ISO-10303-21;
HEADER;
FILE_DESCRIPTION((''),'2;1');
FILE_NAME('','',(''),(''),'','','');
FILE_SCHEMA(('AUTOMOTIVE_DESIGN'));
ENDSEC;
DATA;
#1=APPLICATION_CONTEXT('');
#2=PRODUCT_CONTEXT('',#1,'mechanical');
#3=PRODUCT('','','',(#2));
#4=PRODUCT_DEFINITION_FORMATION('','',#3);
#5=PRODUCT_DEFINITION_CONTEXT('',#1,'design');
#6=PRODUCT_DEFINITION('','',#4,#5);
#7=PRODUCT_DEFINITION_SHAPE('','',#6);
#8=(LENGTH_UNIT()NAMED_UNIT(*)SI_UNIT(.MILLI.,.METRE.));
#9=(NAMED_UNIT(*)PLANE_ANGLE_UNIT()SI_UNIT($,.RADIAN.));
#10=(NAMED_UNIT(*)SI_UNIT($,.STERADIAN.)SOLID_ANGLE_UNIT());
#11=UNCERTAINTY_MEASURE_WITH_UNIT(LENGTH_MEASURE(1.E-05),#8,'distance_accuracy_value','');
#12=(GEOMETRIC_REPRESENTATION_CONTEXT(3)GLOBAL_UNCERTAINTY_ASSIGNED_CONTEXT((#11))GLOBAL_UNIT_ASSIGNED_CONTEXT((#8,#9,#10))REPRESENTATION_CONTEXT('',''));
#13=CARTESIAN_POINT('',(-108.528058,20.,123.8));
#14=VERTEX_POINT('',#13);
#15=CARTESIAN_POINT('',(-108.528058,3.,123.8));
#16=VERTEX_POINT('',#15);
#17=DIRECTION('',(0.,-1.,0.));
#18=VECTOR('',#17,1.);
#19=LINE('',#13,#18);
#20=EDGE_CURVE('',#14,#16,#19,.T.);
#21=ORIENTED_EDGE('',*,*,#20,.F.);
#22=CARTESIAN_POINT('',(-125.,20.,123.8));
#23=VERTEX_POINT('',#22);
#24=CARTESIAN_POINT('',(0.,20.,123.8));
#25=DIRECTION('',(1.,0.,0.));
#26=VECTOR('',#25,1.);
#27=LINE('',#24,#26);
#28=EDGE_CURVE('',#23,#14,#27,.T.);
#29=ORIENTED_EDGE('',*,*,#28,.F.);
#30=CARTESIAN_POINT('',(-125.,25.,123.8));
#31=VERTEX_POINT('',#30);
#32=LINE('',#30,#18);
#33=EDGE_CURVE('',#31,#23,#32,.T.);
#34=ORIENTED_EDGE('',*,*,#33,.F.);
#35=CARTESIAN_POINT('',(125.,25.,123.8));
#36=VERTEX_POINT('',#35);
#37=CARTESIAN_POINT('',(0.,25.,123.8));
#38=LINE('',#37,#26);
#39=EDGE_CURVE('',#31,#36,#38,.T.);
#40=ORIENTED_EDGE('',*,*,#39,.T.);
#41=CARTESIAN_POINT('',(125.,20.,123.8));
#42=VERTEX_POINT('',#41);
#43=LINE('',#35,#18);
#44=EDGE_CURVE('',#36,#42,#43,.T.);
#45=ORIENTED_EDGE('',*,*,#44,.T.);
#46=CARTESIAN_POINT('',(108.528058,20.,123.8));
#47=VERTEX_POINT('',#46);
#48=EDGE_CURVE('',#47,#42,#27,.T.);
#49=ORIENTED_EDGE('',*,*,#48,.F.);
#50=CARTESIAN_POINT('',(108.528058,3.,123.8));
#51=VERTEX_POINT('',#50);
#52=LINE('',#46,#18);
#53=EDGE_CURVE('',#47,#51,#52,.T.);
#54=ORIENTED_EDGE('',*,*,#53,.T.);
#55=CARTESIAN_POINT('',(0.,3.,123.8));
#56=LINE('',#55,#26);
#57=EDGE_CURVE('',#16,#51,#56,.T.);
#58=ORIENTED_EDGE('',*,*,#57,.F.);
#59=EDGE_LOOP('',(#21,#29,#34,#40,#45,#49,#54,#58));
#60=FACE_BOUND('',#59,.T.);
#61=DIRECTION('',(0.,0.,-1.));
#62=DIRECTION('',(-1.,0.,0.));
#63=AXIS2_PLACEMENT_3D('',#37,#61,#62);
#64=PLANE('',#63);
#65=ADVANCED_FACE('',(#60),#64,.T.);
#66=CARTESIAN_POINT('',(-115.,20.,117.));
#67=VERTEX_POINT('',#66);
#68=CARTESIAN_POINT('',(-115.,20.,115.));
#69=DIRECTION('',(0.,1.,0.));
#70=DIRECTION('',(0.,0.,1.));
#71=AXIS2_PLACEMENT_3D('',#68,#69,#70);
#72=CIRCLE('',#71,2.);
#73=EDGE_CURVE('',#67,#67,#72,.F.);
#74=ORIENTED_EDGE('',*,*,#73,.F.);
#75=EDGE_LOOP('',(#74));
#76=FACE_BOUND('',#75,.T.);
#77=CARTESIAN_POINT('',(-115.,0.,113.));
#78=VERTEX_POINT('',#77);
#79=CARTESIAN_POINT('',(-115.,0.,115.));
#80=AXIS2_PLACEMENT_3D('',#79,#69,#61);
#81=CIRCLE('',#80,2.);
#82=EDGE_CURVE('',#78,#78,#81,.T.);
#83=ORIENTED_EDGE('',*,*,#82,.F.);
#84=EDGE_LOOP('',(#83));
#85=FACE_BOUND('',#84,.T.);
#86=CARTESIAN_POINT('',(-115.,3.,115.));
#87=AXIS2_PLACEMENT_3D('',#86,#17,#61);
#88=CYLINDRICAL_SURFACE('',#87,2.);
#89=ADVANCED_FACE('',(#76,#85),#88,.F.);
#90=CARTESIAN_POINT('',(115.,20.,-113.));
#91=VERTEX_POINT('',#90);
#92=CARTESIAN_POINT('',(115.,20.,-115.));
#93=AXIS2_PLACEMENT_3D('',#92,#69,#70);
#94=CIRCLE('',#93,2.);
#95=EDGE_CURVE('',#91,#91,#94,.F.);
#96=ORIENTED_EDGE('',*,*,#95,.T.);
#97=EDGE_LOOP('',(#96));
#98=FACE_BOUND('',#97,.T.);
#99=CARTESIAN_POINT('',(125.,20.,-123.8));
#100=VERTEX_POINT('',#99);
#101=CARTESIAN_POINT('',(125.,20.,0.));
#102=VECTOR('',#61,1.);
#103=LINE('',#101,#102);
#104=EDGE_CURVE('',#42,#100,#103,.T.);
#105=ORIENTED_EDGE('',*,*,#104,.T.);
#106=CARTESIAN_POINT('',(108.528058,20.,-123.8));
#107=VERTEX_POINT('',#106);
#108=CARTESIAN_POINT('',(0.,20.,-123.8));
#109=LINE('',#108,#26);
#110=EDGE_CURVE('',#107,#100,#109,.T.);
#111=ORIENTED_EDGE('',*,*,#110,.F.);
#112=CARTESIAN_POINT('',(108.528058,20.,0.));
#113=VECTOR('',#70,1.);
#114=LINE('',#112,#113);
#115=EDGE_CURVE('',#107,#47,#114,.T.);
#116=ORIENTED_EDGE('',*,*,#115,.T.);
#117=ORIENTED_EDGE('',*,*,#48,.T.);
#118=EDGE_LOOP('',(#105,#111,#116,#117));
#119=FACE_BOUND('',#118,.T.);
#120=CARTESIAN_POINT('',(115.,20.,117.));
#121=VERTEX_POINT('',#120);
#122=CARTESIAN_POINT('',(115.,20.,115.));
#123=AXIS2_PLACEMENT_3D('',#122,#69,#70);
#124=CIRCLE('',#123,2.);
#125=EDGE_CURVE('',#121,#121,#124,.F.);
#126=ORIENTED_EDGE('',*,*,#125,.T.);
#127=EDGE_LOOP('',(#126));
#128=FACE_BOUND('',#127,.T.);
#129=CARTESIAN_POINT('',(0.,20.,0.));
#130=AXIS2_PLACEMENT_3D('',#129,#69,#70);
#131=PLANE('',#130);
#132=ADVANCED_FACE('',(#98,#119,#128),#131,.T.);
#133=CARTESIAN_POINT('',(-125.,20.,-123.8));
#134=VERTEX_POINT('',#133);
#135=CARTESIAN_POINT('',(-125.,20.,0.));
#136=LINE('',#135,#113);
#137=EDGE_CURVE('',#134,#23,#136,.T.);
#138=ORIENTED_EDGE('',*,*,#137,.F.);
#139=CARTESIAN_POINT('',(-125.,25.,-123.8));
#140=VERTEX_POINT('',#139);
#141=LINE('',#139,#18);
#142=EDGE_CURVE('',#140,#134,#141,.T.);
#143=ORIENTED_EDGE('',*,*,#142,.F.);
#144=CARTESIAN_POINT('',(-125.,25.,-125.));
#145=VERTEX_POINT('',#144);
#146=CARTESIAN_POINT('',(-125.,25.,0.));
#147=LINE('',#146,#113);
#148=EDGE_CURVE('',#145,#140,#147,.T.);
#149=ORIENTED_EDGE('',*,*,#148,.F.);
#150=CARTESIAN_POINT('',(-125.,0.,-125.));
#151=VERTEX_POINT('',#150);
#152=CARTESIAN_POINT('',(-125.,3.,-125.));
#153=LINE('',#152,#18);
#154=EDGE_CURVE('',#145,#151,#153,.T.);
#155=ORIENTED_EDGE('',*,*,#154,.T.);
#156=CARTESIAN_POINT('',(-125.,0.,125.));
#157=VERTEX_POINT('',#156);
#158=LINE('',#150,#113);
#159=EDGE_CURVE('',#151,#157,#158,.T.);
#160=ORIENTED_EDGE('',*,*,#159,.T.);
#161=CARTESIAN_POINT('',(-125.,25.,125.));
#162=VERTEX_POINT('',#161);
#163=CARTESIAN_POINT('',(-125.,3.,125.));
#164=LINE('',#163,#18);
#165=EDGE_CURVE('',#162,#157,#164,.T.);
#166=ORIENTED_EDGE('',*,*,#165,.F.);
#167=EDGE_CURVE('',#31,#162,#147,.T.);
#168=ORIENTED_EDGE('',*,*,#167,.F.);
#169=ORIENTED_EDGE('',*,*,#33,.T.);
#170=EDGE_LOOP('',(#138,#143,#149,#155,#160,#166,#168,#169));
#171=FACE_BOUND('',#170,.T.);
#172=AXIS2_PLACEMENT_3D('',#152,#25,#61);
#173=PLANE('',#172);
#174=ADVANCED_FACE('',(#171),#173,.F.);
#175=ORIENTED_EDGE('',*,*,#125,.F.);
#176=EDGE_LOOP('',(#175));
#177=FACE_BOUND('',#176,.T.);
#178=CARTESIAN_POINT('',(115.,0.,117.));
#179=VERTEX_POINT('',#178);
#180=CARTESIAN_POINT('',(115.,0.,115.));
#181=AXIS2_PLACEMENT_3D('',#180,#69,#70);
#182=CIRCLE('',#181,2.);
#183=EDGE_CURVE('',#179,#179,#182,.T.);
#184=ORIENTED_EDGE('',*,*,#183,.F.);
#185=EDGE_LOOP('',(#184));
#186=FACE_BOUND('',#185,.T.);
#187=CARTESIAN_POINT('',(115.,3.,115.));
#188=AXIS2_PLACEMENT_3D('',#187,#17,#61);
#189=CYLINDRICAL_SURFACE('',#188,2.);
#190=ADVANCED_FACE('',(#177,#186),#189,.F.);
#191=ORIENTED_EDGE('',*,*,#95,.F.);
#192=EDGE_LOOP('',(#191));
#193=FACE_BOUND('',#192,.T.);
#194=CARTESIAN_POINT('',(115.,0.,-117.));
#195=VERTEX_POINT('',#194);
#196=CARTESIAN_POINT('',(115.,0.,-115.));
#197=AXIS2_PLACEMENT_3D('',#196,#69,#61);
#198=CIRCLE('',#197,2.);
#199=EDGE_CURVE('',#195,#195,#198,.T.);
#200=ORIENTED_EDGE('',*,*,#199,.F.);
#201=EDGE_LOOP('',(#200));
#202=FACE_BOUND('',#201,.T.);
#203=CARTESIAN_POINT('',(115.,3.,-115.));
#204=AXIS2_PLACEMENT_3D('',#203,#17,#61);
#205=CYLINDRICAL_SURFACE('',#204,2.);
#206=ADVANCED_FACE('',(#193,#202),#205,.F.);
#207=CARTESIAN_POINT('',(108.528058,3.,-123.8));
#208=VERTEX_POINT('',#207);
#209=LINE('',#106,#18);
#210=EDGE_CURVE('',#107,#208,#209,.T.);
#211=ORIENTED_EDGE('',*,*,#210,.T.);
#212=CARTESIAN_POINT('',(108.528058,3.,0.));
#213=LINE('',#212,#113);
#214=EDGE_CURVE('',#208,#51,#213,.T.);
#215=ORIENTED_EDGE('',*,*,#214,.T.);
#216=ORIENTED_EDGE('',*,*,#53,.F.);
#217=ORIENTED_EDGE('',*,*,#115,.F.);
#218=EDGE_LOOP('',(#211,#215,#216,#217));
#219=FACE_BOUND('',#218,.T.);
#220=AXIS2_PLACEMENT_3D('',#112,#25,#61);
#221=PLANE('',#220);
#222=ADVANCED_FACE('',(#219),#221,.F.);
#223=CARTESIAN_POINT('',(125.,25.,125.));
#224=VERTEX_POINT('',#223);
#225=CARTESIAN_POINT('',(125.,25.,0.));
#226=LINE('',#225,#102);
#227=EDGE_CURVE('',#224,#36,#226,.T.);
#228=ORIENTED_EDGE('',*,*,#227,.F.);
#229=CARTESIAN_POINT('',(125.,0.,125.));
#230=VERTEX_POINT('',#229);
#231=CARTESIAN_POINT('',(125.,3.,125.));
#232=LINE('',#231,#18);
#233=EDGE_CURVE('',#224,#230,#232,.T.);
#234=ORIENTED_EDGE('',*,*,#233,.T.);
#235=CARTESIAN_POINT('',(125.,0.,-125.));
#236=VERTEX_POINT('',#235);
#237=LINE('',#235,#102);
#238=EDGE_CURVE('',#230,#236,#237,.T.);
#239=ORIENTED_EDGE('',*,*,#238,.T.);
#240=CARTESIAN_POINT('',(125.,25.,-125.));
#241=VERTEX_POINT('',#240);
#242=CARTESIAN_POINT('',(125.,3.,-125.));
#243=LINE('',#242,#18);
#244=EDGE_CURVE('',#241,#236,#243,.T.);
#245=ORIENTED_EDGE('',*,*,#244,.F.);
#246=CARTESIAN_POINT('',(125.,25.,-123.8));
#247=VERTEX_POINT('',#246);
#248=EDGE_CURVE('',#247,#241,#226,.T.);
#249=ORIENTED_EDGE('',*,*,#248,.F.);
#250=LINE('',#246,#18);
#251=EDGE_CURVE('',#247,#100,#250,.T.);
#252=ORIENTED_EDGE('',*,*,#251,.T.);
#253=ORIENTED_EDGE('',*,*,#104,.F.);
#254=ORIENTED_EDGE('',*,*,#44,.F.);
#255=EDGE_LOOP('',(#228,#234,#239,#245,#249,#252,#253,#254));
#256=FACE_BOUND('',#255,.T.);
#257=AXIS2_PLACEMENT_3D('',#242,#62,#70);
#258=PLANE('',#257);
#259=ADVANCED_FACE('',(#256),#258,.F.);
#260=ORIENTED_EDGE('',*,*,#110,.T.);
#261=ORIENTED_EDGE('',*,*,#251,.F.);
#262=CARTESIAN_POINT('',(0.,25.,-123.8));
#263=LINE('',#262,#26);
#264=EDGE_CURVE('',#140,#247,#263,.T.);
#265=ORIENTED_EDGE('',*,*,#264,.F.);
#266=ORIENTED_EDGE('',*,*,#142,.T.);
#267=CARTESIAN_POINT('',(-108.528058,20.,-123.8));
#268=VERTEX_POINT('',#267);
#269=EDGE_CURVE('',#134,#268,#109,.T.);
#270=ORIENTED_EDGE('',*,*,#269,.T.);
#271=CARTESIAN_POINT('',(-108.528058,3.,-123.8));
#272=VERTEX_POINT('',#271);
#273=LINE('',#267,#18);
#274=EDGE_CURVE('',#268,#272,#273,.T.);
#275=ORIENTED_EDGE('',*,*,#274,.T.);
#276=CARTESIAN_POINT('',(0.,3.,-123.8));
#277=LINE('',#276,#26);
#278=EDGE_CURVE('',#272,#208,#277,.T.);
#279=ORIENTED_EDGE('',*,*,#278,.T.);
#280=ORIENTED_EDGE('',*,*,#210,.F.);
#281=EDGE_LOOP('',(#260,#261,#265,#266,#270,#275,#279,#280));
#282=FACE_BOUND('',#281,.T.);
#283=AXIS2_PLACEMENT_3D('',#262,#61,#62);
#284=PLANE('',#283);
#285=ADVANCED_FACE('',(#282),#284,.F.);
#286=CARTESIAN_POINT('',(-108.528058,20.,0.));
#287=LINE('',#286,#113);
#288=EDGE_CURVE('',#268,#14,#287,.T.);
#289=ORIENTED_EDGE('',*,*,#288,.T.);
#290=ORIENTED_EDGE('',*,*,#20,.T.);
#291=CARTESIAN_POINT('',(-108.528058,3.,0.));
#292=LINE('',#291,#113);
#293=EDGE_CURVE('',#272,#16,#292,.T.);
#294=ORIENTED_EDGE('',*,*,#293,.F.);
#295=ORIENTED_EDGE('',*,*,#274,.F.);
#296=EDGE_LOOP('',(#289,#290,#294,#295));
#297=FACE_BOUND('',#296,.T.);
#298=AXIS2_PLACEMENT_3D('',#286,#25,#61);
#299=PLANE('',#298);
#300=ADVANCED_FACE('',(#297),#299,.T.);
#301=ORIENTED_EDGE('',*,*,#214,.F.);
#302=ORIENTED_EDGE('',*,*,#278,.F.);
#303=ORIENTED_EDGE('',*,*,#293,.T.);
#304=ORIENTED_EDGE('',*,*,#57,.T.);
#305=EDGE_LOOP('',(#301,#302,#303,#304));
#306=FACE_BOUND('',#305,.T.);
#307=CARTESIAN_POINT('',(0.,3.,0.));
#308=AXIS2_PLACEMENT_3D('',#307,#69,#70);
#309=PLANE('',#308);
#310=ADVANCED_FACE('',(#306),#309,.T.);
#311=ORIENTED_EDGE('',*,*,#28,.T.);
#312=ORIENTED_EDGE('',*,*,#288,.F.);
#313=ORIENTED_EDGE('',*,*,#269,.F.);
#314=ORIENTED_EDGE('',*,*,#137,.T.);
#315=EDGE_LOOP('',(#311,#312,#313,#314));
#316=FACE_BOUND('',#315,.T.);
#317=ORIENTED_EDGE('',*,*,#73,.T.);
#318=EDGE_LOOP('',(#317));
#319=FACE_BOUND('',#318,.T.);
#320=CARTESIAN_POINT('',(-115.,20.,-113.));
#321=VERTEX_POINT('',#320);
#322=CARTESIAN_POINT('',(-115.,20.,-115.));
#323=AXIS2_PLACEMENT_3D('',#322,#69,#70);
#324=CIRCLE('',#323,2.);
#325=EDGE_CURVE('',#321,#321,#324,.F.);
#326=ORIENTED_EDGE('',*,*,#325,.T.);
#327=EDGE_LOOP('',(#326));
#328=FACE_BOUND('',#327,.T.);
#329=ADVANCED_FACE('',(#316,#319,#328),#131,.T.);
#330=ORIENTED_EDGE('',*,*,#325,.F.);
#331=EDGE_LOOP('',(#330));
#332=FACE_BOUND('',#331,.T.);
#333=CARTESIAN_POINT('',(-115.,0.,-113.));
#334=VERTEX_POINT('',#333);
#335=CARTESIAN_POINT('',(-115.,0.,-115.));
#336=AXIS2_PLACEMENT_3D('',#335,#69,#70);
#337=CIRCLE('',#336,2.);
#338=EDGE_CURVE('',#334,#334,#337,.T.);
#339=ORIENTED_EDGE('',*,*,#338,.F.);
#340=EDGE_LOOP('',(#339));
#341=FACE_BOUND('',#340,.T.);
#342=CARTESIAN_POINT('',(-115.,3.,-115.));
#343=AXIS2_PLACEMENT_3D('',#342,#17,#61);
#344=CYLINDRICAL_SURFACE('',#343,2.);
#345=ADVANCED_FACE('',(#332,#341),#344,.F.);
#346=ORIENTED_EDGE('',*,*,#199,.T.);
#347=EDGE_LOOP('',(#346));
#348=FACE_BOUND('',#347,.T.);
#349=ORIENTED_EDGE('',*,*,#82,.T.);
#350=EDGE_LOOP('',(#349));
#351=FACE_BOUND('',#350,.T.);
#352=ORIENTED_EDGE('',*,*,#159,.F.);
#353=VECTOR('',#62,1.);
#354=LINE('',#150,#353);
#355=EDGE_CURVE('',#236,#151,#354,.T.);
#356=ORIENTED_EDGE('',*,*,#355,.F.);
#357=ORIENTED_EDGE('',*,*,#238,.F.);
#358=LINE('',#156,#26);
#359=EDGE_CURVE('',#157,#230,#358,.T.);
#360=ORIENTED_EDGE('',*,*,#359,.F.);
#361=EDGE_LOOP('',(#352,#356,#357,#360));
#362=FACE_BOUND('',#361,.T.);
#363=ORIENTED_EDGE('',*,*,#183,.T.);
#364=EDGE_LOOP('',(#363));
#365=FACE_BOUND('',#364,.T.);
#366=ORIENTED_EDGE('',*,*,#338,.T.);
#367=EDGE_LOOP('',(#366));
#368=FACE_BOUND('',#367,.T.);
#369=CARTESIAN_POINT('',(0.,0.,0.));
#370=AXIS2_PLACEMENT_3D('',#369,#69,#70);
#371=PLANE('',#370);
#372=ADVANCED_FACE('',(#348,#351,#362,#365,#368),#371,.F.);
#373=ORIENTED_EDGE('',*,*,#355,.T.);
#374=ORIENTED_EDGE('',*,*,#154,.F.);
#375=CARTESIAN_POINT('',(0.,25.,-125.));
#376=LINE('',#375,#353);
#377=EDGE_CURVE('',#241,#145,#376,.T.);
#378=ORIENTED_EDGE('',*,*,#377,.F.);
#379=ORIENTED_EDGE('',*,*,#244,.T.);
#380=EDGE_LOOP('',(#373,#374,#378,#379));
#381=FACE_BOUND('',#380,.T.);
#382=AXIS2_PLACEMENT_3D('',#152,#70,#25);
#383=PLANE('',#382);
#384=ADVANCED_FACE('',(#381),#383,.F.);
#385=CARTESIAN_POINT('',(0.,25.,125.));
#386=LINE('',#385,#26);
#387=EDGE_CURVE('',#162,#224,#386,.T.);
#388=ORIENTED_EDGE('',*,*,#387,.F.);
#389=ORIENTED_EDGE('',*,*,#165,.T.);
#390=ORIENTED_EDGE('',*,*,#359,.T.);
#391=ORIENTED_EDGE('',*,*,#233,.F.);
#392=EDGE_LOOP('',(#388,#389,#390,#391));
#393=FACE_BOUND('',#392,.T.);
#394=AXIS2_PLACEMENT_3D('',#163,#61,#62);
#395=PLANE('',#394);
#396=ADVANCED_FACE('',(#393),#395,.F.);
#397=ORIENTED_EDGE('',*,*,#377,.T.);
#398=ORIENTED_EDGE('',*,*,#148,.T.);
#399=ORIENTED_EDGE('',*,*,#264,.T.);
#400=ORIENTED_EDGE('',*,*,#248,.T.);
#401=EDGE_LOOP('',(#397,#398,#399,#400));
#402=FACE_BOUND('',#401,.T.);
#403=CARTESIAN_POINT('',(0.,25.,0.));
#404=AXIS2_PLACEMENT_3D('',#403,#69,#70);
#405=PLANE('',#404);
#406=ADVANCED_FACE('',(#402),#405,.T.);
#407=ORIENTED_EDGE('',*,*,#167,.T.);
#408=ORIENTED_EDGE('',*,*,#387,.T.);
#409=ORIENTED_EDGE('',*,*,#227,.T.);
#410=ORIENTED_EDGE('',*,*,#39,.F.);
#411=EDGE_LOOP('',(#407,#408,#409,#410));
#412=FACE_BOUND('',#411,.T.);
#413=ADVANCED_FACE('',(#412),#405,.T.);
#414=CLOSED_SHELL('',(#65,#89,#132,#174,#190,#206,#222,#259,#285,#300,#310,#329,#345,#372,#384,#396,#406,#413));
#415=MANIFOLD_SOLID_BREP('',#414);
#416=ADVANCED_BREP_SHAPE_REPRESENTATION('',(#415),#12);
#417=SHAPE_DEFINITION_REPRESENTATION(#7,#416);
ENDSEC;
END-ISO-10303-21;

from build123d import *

# Parameters (mm, degrees)
ESBO_O1_W                = 250
ESBO_O1_H                = 250
ESBO_O1_R                = 2
RESSALTO_EXTRUS_O1_DEPTH = 3
ESBO_O2_W                = 16.471941672
ESBO_O2_H                = 247.6
ESBO_O2_R                = 2
RESSALTO_EXTRUS_O2_DEPTH = 17
ESBO_O2_5_W              = 250
ESBO_O2_5_H              = 1.2
RESSALTO_EXTRUS_O3_DEPTH = 22


with BuildPart() as part:
    # Esboço1 → Ressalto-extrusão1 (new body)
    with BuildSketch(Plane(origin=(0, 0, 0), x_dir=(1, 0, 0), z_dir=(0, 1, 0))):
        Rectangle(ESBO_O1_W, ESBO_O1_H)
        with Locations((-115, 115)):
            Circle(ESBO_O1_R, mode=Mode.SUBTRACT)
        with Locations((115, 115)):
            Circle(ESBO_O1_R, mode=Mode.SUBTRACT)
        with Locations((-115, -115)):
            Circle(ESBO_O1_R, mode=Mode.SUBTRACT)
        with Locations((115, -115)):
            Circle(ESBO_O1_R, mode=Mode.SUBTRACT)
    extrude(amount=RESSALTO_EXTRUS_O1_DEPTH)

    # Esboço2 → Ressalto-extrusão2 (add)
    # profile 1 of 2: a face of its own
    with BuildSketch(Plane(origin=(0, 3, 0), x_dir=(1, 0, 0), z_dir=(0, 1, 0))):
        with Locations((-116.764029164, 0)):
            Rectangle(ESBO_O2_W, ESBO_O2_H)
        with Locations((-115, -115)):
            Circle(ESBO_O2_R, mode=Mode.SUBTRACT)
        with Locations((-115, 115)):
            Circle(ESBO_O2_R, mode=Mode.SUBTRACT)
    # profile 2 of 2: a face of its own
    with BuildSketch(Plane(origin=(0, 3, 0), x_dir=(1, 0, 0), z_dir=(0, 1, 0))):
        with Locations((116.764029164, 0)):
            Rectangle(ESBO_O2_W, ESBO_O2_H)
        with Locations((115, -115)):
            Circle(ESBO_O2_R, mode=Mode.SUBTRACT)
        with Locations((115, 115)):
            Circle(ESBO_O2_R, mode=Mode.SUBTRACT)
    extrude(amount=RESSALTO_EXTRUS_O2_DEPTH)

    # Esboço2<5> → Ressalto-extrusão3 (add)
    with BuildSketch(Plane(origin=(0, 3, 0), x_dir=(1, 0, 0), z_dir=(0, 1, 0))):
        with Locations((0, 124.4)):
            Rectangle(ESBO_O2_5_W, ESBO_O2_5_H)
        with Locations((0, -124.4)):
            Rectangle(ESBO_O2_5_W, ESBO_O2_5_H)
    extrude(amount=RESSALTO_EXTRUS_O3_DEPTH)


solid = part.part
